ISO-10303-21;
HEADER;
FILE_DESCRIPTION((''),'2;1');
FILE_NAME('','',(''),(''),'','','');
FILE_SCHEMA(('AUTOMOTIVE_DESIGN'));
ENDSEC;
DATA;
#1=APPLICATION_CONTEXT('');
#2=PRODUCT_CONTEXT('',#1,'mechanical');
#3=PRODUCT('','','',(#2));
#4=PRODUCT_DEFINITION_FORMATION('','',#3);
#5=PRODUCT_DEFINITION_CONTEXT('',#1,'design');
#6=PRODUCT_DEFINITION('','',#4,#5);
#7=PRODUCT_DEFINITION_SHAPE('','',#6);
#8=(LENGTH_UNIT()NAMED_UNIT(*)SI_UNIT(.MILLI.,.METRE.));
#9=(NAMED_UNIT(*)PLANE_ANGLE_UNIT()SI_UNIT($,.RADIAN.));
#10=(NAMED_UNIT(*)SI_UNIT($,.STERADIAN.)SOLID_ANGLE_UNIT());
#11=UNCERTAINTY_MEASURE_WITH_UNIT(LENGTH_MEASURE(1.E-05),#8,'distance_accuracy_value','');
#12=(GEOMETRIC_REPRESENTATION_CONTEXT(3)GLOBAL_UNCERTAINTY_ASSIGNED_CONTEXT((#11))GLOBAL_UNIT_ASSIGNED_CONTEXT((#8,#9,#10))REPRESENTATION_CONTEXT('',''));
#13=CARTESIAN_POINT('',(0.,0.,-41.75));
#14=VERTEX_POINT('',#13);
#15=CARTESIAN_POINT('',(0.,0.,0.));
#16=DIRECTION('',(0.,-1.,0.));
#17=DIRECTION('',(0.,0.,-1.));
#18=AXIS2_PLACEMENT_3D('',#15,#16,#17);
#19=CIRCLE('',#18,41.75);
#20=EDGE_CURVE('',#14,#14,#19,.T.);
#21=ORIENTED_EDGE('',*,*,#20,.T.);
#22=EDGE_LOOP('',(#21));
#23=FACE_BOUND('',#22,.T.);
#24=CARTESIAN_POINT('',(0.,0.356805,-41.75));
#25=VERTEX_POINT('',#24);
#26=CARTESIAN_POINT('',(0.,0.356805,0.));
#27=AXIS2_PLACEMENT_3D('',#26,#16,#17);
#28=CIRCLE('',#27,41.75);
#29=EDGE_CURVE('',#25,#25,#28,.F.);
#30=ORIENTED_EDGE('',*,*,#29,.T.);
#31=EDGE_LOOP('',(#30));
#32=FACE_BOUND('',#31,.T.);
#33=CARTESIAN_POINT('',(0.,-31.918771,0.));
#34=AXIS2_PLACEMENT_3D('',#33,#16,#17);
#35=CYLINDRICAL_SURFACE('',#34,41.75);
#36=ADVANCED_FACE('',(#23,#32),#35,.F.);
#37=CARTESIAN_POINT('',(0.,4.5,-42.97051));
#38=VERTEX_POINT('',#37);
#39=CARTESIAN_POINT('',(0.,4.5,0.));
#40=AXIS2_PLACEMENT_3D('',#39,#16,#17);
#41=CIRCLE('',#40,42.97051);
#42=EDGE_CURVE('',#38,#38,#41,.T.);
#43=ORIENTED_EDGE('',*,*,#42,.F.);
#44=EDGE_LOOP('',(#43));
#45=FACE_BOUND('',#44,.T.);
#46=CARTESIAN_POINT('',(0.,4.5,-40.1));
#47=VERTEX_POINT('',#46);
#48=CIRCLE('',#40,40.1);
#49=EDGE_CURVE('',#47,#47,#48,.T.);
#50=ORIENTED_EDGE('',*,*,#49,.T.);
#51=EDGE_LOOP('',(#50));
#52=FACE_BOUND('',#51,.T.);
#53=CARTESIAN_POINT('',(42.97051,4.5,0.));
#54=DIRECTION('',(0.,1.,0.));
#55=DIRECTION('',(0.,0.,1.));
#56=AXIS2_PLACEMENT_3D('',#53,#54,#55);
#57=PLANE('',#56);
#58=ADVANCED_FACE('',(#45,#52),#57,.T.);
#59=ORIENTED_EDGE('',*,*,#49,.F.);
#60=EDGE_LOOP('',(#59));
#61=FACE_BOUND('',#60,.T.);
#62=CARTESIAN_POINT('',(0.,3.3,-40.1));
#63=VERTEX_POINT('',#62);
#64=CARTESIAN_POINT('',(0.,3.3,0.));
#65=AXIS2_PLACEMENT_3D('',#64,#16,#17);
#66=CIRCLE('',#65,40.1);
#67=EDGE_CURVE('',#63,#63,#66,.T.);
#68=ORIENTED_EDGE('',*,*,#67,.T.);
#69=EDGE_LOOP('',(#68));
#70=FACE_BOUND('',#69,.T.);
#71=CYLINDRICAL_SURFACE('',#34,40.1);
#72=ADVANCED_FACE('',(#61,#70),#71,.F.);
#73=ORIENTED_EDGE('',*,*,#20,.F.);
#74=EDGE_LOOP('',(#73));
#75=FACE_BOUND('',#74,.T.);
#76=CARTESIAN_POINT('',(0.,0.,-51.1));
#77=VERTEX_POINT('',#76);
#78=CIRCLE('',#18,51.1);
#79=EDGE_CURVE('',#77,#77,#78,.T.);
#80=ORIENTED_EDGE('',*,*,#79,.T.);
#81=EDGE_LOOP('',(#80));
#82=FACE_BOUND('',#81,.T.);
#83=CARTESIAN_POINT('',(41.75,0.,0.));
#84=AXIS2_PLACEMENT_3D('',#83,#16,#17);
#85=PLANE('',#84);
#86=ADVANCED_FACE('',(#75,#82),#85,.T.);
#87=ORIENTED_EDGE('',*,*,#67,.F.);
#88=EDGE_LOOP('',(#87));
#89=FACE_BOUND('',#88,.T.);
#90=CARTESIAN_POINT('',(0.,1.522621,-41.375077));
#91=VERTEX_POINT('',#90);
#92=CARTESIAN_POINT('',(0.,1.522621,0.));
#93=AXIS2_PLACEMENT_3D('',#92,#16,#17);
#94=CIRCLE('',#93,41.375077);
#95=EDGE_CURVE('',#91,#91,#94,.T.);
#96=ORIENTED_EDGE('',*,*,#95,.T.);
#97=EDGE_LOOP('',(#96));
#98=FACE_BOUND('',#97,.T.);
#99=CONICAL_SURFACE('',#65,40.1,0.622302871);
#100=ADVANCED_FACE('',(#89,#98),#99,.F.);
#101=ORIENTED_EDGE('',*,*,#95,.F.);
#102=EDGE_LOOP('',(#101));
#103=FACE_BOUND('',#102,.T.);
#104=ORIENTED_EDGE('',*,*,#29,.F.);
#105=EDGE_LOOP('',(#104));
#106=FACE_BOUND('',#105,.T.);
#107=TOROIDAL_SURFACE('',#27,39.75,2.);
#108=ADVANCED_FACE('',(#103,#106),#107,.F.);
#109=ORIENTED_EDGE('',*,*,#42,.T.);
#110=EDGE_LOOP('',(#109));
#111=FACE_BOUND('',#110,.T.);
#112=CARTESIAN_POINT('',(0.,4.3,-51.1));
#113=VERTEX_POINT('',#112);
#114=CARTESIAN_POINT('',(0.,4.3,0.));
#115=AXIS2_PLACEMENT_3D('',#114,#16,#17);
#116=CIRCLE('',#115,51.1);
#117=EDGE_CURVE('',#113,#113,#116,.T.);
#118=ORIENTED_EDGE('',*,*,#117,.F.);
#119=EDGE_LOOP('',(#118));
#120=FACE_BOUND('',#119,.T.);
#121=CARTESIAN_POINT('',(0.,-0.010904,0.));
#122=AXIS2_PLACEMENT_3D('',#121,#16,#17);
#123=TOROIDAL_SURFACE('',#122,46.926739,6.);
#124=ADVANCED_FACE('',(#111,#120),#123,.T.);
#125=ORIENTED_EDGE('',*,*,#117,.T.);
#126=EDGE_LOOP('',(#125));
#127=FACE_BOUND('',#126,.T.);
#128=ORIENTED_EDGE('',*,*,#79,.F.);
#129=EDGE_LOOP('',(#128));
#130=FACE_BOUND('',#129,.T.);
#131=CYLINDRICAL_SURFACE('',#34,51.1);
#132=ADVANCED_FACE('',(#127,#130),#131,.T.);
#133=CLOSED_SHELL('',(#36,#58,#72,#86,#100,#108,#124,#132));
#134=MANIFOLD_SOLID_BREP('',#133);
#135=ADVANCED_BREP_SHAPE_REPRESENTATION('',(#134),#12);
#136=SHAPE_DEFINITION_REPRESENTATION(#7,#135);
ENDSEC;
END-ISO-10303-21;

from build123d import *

# Parameters (mm, degrees)
FILETE1_R = 2


with BuildPart() as part:
    # Esboço1 → Revolução1 (revolve)
    with BuildSketch(Plane.XY, mode=Mode.PRIVATE) as revolu_o1_sk:
        with BuildLine():
            Line((41.75, 0), (51.1, 0))
            Line((51.1, 0), (51.1, 4.3))
            ThreePointArc((51.1, 4.3), (47.074305061, 5.987281185), (42.970510206, 4.5))
            Line((42.970510206, 4.5), (40.1, 4.5))
            Line((40.1, 4.5), (40.1, 3.3))
            Line((40.1, 3.3), (41.75, 1))
            Line((41.75, 1), (41.75, 0))
        make_face()
    revolve(revolu_o1_sk.sketch.rotate(Axis((0, -31.918770764, 0), (0, 1, 0)), 90), axis=Axis((0, -31.918770764, 0), (0, 1, 0)))

    # Filete1
    filete1_edges = [part.edges().sort_by_distance(p)[0] for p in [
        (0, 1, 41.75),
    ]]
    fillet(filete1_edges, radius=FILETE1_R)


solid = part.part
